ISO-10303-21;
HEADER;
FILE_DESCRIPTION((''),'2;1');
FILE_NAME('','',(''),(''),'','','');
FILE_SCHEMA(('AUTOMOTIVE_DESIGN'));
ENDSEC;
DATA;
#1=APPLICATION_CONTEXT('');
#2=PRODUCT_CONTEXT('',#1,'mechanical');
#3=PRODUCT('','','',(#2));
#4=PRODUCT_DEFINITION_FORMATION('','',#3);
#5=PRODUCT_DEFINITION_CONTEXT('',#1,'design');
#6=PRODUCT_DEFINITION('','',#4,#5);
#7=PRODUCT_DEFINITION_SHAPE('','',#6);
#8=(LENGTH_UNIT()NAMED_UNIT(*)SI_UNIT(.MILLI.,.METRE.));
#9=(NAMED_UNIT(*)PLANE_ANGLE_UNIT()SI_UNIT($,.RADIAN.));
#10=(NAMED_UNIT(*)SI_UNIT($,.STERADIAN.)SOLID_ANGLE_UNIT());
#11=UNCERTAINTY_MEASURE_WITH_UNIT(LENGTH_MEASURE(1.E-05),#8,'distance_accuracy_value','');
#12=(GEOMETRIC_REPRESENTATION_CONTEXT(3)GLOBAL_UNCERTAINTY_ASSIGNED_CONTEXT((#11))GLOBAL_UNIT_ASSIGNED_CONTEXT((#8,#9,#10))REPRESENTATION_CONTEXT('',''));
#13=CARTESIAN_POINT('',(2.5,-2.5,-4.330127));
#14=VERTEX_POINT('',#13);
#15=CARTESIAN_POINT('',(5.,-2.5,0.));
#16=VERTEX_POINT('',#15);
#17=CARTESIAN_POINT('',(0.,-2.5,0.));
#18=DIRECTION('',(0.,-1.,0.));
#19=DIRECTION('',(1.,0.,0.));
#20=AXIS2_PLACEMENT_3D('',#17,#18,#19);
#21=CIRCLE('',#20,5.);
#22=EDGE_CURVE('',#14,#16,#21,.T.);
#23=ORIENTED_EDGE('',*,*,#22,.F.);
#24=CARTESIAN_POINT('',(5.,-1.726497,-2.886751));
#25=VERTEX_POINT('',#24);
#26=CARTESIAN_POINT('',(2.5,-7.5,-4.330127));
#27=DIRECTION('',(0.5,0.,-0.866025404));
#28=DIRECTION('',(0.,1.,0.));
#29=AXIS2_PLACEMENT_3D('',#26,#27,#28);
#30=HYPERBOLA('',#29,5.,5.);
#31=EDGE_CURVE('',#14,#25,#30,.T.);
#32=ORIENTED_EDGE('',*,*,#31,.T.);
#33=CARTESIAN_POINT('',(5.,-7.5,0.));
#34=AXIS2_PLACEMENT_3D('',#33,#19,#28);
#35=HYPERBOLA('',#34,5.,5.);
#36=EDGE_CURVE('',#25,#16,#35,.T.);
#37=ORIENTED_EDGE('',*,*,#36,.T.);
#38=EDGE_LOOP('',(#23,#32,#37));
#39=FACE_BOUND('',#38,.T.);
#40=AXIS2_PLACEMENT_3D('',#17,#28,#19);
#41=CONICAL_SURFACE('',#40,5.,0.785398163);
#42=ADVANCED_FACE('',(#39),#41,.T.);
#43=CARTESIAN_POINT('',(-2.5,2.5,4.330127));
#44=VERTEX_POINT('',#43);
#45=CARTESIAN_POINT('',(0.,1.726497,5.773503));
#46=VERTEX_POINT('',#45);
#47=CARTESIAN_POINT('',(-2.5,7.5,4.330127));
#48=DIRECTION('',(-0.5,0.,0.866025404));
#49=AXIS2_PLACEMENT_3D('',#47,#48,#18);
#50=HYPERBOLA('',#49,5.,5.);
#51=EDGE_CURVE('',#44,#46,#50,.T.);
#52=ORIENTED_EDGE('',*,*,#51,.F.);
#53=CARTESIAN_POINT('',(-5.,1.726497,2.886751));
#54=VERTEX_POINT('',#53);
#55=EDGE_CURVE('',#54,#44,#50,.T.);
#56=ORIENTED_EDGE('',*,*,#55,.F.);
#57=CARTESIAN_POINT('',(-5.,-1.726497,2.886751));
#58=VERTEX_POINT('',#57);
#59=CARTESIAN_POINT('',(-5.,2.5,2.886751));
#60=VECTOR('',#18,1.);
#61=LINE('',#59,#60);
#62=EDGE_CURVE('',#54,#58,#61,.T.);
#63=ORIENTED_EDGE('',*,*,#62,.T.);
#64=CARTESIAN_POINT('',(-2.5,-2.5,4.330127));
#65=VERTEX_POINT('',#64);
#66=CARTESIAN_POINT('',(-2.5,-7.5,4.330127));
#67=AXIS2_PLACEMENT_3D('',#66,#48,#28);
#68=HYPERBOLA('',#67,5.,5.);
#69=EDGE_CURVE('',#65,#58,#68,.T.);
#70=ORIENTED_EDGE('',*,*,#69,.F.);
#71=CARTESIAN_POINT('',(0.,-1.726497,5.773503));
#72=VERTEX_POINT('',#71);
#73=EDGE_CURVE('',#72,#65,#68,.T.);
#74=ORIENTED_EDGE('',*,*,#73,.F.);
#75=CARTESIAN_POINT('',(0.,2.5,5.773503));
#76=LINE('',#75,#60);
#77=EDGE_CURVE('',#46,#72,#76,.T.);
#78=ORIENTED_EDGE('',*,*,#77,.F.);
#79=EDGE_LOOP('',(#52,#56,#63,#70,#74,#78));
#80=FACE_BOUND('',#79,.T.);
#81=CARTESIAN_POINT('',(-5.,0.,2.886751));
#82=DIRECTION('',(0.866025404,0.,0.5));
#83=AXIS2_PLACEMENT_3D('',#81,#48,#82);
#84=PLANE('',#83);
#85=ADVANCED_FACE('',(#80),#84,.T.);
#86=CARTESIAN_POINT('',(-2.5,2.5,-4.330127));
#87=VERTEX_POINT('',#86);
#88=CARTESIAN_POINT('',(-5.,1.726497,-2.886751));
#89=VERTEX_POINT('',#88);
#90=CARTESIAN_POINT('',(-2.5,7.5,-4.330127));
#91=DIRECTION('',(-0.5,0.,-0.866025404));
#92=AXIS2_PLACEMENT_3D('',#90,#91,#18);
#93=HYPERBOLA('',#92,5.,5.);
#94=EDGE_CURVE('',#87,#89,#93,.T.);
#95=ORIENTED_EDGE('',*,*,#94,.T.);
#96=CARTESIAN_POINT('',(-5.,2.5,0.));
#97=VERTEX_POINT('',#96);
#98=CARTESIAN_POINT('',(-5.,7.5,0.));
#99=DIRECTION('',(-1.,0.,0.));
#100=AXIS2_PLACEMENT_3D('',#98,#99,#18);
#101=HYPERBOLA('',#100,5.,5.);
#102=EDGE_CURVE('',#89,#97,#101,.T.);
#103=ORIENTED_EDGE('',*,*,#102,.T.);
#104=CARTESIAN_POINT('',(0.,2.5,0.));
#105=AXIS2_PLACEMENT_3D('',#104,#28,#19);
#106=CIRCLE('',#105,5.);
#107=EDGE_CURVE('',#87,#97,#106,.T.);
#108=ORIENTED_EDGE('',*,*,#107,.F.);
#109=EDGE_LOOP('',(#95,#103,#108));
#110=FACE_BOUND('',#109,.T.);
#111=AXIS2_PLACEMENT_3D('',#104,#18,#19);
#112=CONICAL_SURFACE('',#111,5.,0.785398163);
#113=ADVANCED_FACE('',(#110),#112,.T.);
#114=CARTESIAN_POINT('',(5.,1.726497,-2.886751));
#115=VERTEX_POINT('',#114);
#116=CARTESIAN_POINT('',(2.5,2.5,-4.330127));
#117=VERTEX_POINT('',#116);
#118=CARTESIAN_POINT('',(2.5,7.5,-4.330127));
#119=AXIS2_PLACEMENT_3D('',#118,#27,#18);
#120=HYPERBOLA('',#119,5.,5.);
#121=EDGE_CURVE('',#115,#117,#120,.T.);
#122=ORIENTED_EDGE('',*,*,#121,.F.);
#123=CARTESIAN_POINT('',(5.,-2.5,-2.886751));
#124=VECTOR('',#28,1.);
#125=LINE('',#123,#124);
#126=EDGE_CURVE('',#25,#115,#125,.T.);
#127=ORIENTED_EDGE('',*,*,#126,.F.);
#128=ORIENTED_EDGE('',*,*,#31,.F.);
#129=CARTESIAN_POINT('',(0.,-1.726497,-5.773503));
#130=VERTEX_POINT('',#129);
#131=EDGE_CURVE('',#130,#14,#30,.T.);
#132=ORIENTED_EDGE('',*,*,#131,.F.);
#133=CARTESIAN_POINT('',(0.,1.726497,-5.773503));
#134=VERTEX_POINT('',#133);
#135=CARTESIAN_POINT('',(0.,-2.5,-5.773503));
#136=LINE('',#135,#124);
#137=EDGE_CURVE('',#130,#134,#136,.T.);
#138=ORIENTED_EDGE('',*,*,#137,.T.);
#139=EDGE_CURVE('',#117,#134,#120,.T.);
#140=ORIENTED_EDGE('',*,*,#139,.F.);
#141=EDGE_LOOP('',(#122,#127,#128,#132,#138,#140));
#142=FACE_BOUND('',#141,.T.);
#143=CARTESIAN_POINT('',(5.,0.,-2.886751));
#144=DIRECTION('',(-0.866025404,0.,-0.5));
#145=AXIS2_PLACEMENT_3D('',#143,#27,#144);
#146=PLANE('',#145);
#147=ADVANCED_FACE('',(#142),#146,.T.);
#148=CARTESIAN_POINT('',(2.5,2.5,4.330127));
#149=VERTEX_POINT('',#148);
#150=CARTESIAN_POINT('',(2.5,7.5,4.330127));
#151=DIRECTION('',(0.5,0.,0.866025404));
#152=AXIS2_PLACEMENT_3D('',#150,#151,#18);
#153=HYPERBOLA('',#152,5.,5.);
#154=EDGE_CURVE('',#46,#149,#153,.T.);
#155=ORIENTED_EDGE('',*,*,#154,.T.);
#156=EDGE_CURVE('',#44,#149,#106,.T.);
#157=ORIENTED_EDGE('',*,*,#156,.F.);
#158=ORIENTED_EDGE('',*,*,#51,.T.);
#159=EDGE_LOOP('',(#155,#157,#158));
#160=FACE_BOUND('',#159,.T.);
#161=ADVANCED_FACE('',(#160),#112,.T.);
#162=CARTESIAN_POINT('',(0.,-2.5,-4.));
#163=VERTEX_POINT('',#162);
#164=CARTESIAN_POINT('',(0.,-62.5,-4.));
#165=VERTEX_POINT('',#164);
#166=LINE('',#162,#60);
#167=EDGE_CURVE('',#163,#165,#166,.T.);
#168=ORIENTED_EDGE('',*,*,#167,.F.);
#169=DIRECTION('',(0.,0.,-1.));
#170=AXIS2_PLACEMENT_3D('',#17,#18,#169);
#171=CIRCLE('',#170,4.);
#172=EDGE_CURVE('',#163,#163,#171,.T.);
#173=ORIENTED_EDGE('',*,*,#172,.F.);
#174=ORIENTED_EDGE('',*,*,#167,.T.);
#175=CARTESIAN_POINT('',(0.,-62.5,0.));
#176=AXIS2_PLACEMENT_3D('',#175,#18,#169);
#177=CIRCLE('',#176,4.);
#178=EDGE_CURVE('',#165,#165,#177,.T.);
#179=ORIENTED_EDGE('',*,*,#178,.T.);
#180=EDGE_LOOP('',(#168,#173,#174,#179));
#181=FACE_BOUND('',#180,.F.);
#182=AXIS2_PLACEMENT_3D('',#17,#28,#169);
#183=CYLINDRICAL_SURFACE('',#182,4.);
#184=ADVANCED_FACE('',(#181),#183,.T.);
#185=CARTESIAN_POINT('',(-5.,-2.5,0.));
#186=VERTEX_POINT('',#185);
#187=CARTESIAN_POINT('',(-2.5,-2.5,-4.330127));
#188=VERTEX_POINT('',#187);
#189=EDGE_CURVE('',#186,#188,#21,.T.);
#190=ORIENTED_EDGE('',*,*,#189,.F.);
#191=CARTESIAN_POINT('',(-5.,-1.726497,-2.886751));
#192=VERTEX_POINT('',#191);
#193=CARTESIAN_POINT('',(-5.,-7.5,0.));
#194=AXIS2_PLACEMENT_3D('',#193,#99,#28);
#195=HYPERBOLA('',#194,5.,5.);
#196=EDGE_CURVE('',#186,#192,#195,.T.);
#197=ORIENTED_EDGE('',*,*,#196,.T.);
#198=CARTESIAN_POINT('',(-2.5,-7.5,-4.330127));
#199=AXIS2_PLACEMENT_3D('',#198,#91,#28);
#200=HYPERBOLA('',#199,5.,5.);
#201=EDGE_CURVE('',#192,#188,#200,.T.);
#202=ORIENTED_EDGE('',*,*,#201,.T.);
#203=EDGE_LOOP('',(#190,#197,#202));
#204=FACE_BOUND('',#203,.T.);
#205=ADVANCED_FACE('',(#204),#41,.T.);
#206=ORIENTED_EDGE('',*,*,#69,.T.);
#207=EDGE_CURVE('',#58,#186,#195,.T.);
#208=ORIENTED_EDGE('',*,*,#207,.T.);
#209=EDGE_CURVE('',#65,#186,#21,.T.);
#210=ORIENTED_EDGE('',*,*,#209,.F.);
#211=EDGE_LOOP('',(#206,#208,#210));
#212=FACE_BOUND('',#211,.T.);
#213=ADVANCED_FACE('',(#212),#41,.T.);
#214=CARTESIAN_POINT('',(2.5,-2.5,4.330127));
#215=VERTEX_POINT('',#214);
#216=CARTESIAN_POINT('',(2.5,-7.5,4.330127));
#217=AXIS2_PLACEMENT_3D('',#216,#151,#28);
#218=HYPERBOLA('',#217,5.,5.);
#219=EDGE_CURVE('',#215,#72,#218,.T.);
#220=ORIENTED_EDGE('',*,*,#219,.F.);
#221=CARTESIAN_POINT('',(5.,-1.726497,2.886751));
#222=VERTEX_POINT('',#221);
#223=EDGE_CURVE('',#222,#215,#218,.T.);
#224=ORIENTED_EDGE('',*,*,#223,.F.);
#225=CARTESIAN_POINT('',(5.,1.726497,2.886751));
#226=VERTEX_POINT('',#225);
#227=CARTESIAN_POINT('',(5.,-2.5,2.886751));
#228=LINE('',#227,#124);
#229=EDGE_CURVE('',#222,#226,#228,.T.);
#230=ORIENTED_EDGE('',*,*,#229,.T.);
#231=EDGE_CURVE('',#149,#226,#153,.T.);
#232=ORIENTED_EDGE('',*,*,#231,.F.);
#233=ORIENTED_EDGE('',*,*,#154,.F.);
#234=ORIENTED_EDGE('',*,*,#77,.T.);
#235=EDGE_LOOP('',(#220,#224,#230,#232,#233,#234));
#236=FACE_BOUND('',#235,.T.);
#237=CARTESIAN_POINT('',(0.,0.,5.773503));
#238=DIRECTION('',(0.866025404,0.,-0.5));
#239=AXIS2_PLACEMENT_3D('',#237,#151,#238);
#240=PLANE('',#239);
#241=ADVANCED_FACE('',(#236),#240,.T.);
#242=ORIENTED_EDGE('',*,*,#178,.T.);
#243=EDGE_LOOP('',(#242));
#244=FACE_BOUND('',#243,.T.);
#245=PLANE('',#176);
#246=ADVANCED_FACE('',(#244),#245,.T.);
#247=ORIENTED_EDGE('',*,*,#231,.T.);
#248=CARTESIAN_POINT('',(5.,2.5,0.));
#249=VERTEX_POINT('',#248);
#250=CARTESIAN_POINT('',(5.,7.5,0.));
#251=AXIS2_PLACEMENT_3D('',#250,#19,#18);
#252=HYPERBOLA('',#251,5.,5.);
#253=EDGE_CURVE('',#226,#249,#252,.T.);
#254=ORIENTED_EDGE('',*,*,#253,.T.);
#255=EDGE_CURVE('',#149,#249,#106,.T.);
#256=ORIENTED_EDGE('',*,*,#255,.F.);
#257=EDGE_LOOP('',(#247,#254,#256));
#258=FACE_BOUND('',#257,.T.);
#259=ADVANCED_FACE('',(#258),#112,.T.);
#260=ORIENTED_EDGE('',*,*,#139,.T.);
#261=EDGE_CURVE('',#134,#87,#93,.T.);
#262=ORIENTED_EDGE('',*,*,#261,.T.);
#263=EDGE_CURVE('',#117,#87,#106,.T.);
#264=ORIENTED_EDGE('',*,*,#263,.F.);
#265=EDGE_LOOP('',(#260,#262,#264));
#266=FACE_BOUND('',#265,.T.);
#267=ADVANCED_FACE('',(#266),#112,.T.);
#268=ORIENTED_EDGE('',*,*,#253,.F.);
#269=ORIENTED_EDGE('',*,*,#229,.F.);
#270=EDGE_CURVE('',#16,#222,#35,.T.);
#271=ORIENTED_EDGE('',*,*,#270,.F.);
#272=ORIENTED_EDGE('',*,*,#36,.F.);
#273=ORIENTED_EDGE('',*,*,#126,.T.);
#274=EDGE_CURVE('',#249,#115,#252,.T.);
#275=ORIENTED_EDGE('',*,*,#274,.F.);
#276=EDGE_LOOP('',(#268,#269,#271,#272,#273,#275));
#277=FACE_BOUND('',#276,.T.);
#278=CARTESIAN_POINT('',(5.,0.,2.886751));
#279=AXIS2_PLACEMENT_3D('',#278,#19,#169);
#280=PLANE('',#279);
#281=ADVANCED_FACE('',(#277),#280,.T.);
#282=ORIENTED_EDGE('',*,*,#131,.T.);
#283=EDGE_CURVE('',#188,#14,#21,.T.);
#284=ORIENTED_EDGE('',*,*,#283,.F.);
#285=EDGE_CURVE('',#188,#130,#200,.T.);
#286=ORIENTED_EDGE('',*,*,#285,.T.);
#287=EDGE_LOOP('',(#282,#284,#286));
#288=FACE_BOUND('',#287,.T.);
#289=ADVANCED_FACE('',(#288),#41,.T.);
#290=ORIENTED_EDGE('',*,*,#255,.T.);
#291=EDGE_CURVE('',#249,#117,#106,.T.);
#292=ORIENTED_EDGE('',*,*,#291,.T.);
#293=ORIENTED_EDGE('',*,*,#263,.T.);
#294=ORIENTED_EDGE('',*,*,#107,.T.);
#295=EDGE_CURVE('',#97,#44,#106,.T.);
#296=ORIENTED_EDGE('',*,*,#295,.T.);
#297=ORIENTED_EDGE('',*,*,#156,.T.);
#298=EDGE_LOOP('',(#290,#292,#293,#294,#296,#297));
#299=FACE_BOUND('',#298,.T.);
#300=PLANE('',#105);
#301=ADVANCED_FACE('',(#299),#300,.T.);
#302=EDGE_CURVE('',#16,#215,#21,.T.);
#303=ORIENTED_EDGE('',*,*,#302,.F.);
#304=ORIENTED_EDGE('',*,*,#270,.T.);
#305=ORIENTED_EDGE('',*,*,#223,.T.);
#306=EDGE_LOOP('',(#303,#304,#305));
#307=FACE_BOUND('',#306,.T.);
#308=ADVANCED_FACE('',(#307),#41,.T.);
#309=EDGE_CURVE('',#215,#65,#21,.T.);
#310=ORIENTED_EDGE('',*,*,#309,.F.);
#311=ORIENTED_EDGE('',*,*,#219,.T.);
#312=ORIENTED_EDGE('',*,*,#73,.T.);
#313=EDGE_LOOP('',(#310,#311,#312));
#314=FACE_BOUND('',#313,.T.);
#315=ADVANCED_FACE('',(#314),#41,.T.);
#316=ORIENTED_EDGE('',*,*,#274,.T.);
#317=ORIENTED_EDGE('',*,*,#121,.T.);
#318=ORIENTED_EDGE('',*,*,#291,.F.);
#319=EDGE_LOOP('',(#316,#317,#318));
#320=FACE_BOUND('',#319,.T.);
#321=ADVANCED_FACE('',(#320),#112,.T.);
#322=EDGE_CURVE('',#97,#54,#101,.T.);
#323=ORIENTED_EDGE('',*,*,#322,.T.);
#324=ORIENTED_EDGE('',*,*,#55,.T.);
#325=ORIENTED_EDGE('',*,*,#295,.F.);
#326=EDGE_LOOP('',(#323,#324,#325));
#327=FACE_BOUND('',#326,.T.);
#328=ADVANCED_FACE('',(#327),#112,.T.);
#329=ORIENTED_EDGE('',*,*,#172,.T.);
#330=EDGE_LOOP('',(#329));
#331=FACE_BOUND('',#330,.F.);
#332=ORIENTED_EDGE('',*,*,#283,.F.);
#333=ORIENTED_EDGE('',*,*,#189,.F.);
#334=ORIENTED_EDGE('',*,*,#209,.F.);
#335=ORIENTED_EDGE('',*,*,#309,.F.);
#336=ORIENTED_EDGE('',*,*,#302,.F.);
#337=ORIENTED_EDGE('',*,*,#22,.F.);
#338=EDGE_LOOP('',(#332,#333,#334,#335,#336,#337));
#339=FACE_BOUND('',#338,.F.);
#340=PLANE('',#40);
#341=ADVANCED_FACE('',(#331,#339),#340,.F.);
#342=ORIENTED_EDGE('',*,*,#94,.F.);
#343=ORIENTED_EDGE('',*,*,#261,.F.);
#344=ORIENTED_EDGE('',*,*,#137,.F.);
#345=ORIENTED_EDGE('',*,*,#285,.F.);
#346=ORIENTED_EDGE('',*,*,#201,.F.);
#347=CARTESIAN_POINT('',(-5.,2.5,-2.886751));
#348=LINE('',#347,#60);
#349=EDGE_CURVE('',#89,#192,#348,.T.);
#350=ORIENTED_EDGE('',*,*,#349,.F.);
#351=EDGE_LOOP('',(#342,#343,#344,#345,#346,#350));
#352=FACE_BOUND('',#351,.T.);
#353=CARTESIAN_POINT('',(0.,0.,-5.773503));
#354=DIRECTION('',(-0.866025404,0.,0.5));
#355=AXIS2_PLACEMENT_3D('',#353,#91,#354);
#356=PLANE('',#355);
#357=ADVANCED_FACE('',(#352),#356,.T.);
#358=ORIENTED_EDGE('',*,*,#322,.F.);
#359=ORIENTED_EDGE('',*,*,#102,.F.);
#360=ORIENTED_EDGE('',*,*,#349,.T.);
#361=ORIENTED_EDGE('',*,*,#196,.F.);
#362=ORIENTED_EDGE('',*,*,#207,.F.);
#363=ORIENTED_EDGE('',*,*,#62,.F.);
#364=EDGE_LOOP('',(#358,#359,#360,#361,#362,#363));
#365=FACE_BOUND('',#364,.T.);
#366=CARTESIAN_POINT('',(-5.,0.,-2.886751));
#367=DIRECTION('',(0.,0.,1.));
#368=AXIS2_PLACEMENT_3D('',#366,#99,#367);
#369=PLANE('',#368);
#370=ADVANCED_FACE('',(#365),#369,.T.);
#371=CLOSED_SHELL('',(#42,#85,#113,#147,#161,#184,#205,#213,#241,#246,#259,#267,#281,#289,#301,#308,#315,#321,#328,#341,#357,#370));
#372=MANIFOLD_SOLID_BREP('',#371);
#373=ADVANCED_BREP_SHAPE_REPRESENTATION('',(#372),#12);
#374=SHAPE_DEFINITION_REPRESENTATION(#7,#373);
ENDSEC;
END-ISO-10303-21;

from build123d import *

# Parameters (mm, degrees)
SALIENTE_EXTRUIR1_DEPTH   = 2.5
CROQUIS3_R                = 4
SALIENTE_EXTRUIR3_DEPTH   = 60
CROQUIS4_OUTSIDE_W        = 85.354
CROQUIS4_OUTSIDE_H        = 86.902
CROQUIS4_OUTSIDE_R        = 5
CORTAR_EXTRUIR1_DEPTH     = 30
CORTAR_EXTRUIR1_DRAFT     = -45
SIMETR_A1_COPY_1_SKETCH_W = 85.354
SIMETR_A1_COPY_1_SKETCH_H = 86.902
SIMETR_A1_COPY_1_SKETCH_R = 5
SIMETR_A1_COPY_1_DEPTH    = 30
SIMETR_A1_COPY_1_DRAFT    = -45


with BuildPart() as part:
    # Croquis1 → Saliente-Extruir1 (new, symmetric)
    with BuildSketch(Plane(origin=(0, 0, 0), x_dir=(1, 0, 0), z_dir=(0, 1, 0))):
        Polygon((0, -5.773502692), (5, -2.886751346), (5, 2.886751346), (0, 5.773502692), (-5, 2.886751346), (-5, -2.886751346), align=None)
    extrude(amount=SALIENTE_EXTRUIR1_DEPTH, both=True)

    # Croquis3 → Saliente-Extruir3 (add)
    with BuildSketch(Plane.XZ.offset(2.5)):
        with Locations(Location((0, 0, 0), (0, 0, 270))):
            Circle(CROQUIS3_R)
    extrude(amount=SALIENTE_EXTRUIR3_DEPTH)


with BuildPart() as cortar_extruir1_tool:
    # Croquis4 outside → Cortar-Extruir1 (with draft: the straight prism first)
    with BuildSketch(Plane.XZ.offset(2.5)):
        Rectangle(CROQUIS4_OUTSIDE_W, CROQUIS4_OUTSIDE_H)
        Circle(CROQUIS4_OUTSIDE_R, mode=Mode.SUBTRACT)
    extrude(amount=-CORTAR_EXTRUIR1_DEPTH)
    # Cortar-Extruir1: the draft: its side faces are tilted about the plane it starts from
    cortar_extruir1_sides = [cortar_extruir1_tool.faces().sort_by_distance(p)[0] for p in [
        (0, 12.5, -43.451),
        (42.677, 12.5, 0),
        (0, 12.5, 43.451),
        (-42.677, 12.5, 0),
        (-5, 12.5, 0),
    ]]
    draft(cortar_extruir1_sides, Plane.XZ.offset(2.5), CORTAR_EXTRUIR1_DRAFT)


with BuildPart() as part_1:
    add(part.part)

    # Cortar-Extruir1: cut by cortar_extruir1_tool
    add(cortar_extruir1_tool.part, mode=Mode.SUBTRACT)


with BuildPart() as simetr_a1_copy_1_tool:
    # Simetría1 copy 1 sketch → Simetría1 copy 1 (with draft: the straight prism first)
    with BuildSketch(Plane(origin=(0, 2.5, 0), x_dir=(1, 0, 0), z_dir=(0, 1, 0))):
        Rectangle(SIMETR_A1_COPY_1_SKETCH_W, SIMETR_A1_COPY_1_SKETCH_H)
        Circle(SIMETR_A1_COPY_1_SKETCH_R, mode=Mode.SUBTRACT)
    extrude(amount=-SIMETR_A1_COPY_1_DEPTH)
    # Simetría1 copy 1: the draft: its side faces are tilted about the plane it starts from
    simetr_a1_copy_1_sides = [simetr_a1_copy_1_tool.faces().sort_by_distance(p)[0] for p in [
        (0, -12.5, -43.451),
        (42.677, -12.5, 0),
        (0, -12.5, 43.451),
        (-42.677, -12.5, 0),
        (-5, -12.5, 0),
    ]]
    draft(simetr_a1_copy_1_sides, Plane(origin=(0, 2.5, 0), x_dir=(1, 0, 0), z_dir=(0, 1, 0)), SIMETR_A1_COPY_1_DRAFT)


with BuildPart() as part_2:
    add(part_1.part)

    # Simetría1 copy 1: cut by simetr_a1_copy_1_tool
    add(simetr_a1_copy_1_tool.part, mode=Mode.SUBTRACT)


solid = part_2.part
